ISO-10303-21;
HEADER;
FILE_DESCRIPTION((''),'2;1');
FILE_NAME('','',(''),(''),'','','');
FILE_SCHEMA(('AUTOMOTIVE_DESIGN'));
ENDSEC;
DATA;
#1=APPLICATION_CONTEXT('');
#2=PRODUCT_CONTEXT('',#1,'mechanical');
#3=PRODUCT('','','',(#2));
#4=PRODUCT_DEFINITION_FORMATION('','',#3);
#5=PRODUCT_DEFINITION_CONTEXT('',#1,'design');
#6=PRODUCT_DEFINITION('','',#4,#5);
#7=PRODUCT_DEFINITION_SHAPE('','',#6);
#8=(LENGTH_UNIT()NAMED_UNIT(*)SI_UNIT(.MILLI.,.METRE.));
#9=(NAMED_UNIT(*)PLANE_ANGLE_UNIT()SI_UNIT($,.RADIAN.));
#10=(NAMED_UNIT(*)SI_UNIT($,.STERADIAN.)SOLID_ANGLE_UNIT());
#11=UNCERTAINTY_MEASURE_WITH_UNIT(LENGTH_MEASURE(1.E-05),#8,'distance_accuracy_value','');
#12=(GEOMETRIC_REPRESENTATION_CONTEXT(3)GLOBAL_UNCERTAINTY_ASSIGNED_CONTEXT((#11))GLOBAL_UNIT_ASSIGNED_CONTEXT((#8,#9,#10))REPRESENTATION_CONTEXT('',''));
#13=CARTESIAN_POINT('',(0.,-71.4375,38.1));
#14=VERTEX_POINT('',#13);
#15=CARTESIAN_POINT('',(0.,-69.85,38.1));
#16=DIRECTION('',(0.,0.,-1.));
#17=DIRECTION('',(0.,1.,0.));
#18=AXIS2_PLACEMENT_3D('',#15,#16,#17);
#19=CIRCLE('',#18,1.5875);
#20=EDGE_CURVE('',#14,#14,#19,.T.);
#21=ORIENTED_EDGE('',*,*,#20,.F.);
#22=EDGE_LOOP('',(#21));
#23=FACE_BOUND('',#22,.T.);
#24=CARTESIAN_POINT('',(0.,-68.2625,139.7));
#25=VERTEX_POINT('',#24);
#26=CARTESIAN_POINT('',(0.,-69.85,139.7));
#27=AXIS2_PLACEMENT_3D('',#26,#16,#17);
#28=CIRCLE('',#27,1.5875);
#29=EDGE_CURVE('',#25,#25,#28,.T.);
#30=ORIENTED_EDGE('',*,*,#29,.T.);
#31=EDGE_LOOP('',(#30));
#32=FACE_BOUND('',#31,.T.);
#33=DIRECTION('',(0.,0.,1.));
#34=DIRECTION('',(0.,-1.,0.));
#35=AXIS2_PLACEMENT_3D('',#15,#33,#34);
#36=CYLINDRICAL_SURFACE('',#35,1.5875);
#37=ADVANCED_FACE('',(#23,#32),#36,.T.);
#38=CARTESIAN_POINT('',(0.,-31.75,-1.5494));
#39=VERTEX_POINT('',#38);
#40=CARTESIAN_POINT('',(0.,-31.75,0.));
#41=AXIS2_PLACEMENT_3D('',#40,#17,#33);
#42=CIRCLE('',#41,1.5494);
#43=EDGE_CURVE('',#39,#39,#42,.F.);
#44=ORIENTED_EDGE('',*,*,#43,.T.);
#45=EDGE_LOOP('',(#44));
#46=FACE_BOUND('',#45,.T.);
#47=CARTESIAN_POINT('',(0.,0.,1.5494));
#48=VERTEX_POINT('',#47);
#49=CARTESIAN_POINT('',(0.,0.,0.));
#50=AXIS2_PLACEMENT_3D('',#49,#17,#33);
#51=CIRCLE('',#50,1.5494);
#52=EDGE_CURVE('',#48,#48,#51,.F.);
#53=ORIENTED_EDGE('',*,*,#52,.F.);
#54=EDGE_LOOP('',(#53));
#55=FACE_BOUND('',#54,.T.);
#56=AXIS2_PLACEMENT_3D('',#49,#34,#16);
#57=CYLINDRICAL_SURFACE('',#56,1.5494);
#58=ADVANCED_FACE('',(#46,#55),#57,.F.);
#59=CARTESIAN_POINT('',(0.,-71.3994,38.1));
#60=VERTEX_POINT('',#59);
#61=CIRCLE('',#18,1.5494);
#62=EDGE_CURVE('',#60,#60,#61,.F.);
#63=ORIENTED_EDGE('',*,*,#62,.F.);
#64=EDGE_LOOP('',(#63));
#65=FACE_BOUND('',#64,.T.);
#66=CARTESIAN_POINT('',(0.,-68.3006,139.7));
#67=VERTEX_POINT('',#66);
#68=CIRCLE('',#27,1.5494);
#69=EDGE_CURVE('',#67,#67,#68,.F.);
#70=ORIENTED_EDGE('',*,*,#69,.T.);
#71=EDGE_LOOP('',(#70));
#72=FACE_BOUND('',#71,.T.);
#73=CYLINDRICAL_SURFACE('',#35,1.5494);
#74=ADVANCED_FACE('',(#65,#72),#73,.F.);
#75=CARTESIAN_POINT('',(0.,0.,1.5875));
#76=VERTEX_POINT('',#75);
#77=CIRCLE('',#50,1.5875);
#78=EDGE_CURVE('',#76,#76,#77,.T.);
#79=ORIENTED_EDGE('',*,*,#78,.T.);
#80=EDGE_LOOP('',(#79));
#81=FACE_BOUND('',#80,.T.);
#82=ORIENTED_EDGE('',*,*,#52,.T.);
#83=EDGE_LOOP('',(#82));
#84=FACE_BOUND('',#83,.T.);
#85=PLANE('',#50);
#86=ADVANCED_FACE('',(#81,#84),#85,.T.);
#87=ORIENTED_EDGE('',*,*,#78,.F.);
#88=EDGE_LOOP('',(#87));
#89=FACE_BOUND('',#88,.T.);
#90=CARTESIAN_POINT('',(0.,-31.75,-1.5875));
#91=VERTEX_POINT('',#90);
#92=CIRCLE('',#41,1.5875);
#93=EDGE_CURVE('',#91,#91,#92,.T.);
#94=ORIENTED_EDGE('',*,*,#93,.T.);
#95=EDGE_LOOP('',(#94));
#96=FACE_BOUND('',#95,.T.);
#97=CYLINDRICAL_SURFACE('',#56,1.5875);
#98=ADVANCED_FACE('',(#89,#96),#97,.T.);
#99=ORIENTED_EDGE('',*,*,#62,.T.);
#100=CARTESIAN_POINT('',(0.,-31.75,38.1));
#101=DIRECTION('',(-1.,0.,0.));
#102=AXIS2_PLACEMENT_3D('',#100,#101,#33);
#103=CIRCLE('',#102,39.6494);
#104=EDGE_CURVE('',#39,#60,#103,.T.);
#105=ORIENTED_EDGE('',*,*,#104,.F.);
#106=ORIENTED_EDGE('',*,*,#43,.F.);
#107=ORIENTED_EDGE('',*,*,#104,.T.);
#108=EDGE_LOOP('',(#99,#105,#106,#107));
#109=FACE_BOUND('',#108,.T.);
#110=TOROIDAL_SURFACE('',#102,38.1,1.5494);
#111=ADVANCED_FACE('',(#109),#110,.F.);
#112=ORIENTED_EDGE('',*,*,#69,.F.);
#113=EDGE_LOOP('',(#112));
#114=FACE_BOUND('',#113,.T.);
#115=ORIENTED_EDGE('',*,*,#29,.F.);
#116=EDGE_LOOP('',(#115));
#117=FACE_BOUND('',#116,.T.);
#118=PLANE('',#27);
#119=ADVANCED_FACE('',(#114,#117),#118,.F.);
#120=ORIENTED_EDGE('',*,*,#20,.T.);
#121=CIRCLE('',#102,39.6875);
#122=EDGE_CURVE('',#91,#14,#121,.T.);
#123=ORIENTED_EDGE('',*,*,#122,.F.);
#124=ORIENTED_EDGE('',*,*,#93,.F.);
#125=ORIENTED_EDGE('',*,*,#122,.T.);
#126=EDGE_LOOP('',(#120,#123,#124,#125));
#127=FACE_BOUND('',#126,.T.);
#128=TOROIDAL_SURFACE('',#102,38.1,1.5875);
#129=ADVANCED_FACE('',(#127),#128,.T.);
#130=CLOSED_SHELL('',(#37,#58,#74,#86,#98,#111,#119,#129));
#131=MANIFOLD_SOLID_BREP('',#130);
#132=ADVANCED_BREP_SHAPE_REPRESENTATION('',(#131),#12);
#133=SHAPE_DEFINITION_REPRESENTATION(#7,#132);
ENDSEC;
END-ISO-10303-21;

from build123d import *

# Parameters (mm, degrees)
SKETCH1_R   = 1.5875
SKETCH1_R_2 = 1.5494


with BuildPart() as part:
    # Sweep1: sweep along a path in Sketch2
    with BuildLine(Plane(origin=(0, 0, 0), x_dir=(0, 0, -1), z_dir=(1, 0, 0))) as sweep1_path:
        Line((0, 0), (0, -31.75))
        ThreePointArc((0, -31.75), (-11.159231637, -58.690768363), (-38.1, -69.85))
        Line((-38.1, -69.85), (-139.7, -69.85))
    # Sketch1 → Sweep1 (sweep)
    with BuildSketch(Plane(origin=(0, 0, 0), x_dir=(1, 0, 0), z_dir=(0, 1, 0))):
        Circle(SKETCH1_R)
        Circle(SKETCH1_R_2, mode=Mode.SUBTRACT)
    sweep(path=sweep1_path.line)


solid = part.part
